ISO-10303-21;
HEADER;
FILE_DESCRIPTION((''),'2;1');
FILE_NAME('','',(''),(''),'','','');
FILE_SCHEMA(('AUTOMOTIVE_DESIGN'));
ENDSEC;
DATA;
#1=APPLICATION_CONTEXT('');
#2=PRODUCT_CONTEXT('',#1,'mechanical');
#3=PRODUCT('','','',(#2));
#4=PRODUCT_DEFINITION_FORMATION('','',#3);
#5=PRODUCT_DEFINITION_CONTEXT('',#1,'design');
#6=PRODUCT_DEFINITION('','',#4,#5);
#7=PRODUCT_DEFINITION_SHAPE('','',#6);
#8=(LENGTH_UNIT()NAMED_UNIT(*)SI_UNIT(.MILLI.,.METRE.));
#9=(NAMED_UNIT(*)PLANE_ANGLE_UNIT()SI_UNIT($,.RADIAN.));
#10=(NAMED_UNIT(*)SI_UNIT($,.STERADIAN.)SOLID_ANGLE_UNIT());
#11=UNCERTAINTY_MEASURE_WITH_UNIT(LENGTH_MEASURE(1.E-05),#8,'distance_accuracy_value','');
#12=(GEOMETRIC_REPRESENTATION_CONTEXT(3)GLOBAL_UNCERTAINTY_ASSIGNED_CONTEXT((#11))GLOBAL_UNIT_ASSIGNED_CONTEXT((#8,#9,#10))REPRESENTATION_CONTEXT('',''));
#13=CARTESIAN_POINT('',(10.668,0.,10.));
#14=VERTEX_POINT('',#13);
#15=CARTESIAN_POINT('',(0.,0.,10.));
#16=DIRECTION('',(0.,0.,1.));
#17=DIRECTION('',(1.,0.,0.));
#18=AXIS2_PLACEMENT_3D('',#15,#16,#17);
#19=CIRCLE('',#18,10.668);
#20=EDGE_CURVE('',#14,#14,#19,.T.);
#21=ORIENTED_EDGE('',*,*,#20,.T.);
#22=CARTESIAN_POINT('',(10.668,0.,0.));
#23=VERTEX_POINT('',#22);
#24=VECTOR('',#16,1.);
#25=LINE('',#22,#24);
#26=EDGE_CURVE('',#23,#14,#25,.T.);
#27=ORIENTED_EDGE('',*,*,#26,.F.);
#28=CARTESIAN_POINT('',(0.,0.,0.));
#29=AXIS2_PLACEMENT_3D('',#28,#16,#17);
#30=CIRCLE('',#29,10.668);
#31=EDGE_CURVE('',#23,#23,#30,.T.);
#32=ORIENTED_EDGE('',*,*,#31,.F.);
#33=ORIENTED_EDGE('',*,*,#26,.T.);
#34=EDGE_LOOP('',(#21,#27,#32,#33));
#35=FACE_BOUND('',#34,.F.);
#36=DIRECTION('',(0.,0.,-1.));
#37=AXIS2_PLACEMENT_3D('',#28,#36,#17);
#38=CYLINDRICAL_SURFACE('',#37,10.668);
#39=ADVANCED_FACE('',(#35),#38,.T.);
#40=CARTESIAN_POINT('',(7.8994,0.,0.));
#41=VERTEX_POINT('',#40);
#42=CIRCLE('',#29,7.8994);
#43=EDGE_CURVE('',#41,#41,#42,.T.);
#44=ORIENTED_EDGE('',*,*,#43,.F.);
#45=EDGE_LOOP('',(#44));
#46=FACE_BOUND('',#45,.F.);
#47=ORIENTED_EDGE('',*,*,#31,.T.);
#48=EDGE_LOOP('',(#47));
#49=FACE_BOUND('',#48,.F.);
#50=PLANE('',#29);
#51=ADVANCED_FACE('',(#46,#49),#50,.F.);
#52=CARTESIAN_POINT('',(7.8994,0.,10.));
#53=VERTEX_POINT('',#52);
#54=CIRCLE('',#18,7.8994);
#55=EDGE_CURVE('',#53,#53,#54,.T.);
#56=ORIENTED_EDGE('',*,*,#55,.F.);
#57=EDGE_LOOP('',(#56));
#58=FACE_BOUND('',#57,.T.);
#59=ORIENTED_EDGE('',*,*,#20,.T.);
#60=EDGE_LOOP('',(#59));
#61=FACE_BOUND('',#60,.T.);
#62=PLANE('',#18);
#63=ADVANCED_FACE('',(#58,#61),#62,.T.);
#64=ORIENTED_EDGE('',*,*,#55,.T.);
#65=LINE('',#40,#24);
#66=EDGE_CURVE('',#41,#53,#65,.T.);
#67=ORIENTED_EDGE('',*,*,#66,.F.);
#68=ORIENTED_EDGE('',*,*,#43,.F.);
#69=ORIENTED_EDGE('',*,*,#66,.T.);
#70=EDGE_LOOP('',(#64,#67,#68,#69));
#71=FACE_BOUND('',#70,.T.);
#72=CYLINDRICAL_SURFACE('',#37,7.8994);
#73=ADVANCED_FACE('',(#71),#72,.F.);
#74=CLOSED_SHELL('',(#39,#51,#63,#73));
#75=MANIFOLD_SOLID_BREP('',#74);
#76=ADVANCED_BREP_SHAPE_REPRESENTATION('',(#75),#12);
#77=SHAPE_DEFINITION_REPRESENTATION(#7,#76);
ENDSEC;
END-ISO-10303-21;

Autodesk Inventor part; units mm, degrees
ref_plane "YZ Plane" through (0, 0, 0) normal (1, 0, 0) x (0, 1, 0)
ref_plane "Start Plane" through (0, 0, 0) normal (0, 0, 1) x (1, 0, 0)
ref_plane "End Plane" through (0, 0, 10) normal (0, 0, 1) x (1, 0, 0)
sketch "Sketch" plane through (0, 0, 0) normal (0, 0, 1) x (1, 0, 0)
  circle A0 centre (0, 0) radius 7.8994
  circle A1 centre (0, 0) radius 10.668
  dimension "d0" = 21.336
  dimension "d1" = 2.7686
extrude "Body" add sketch "Sketch" along normal up to surface (10 mm away) from surface at 0
sketch "Sketch3" plane through (0, 0, 0) normal (0, 0, 1) x (1, 0, 0)
  line L0 (0, 0) -> (10, 0)
ref_plane "Work Plane3" through (0, 0, 0) normal (0, -1, 0) x (1, 0, 0)
sketch "Sketch4" plane through (0, 0, 0) normal (0, -1, 0) x (1, 0, 0)
  line L0 (-2, 0) -> (12, 0) projected
  line L1 (-2, 10) -> (12, 10) projected
  dimension "d7" = 10
equation "\"d0\" = G_H"
equation "\"d1\" = G_T"
equation "\"d2\" = G_L"
equation "\"G_H\" = 21.336"
equation "\"G_T\" = 2.7686"
equation "\"G_L\" = d7"
equation "\"G_OFFSET_START\" = 0"
equation "\"G_OFFSET_END\" = 0"
equation "\"d5\" = G_OFFSET_END + B_L"
equation "\"B_L\" = 10"
properties part number "ANSI - 1/2 x 0.109 - 0.394" material "Steel, Mild"
